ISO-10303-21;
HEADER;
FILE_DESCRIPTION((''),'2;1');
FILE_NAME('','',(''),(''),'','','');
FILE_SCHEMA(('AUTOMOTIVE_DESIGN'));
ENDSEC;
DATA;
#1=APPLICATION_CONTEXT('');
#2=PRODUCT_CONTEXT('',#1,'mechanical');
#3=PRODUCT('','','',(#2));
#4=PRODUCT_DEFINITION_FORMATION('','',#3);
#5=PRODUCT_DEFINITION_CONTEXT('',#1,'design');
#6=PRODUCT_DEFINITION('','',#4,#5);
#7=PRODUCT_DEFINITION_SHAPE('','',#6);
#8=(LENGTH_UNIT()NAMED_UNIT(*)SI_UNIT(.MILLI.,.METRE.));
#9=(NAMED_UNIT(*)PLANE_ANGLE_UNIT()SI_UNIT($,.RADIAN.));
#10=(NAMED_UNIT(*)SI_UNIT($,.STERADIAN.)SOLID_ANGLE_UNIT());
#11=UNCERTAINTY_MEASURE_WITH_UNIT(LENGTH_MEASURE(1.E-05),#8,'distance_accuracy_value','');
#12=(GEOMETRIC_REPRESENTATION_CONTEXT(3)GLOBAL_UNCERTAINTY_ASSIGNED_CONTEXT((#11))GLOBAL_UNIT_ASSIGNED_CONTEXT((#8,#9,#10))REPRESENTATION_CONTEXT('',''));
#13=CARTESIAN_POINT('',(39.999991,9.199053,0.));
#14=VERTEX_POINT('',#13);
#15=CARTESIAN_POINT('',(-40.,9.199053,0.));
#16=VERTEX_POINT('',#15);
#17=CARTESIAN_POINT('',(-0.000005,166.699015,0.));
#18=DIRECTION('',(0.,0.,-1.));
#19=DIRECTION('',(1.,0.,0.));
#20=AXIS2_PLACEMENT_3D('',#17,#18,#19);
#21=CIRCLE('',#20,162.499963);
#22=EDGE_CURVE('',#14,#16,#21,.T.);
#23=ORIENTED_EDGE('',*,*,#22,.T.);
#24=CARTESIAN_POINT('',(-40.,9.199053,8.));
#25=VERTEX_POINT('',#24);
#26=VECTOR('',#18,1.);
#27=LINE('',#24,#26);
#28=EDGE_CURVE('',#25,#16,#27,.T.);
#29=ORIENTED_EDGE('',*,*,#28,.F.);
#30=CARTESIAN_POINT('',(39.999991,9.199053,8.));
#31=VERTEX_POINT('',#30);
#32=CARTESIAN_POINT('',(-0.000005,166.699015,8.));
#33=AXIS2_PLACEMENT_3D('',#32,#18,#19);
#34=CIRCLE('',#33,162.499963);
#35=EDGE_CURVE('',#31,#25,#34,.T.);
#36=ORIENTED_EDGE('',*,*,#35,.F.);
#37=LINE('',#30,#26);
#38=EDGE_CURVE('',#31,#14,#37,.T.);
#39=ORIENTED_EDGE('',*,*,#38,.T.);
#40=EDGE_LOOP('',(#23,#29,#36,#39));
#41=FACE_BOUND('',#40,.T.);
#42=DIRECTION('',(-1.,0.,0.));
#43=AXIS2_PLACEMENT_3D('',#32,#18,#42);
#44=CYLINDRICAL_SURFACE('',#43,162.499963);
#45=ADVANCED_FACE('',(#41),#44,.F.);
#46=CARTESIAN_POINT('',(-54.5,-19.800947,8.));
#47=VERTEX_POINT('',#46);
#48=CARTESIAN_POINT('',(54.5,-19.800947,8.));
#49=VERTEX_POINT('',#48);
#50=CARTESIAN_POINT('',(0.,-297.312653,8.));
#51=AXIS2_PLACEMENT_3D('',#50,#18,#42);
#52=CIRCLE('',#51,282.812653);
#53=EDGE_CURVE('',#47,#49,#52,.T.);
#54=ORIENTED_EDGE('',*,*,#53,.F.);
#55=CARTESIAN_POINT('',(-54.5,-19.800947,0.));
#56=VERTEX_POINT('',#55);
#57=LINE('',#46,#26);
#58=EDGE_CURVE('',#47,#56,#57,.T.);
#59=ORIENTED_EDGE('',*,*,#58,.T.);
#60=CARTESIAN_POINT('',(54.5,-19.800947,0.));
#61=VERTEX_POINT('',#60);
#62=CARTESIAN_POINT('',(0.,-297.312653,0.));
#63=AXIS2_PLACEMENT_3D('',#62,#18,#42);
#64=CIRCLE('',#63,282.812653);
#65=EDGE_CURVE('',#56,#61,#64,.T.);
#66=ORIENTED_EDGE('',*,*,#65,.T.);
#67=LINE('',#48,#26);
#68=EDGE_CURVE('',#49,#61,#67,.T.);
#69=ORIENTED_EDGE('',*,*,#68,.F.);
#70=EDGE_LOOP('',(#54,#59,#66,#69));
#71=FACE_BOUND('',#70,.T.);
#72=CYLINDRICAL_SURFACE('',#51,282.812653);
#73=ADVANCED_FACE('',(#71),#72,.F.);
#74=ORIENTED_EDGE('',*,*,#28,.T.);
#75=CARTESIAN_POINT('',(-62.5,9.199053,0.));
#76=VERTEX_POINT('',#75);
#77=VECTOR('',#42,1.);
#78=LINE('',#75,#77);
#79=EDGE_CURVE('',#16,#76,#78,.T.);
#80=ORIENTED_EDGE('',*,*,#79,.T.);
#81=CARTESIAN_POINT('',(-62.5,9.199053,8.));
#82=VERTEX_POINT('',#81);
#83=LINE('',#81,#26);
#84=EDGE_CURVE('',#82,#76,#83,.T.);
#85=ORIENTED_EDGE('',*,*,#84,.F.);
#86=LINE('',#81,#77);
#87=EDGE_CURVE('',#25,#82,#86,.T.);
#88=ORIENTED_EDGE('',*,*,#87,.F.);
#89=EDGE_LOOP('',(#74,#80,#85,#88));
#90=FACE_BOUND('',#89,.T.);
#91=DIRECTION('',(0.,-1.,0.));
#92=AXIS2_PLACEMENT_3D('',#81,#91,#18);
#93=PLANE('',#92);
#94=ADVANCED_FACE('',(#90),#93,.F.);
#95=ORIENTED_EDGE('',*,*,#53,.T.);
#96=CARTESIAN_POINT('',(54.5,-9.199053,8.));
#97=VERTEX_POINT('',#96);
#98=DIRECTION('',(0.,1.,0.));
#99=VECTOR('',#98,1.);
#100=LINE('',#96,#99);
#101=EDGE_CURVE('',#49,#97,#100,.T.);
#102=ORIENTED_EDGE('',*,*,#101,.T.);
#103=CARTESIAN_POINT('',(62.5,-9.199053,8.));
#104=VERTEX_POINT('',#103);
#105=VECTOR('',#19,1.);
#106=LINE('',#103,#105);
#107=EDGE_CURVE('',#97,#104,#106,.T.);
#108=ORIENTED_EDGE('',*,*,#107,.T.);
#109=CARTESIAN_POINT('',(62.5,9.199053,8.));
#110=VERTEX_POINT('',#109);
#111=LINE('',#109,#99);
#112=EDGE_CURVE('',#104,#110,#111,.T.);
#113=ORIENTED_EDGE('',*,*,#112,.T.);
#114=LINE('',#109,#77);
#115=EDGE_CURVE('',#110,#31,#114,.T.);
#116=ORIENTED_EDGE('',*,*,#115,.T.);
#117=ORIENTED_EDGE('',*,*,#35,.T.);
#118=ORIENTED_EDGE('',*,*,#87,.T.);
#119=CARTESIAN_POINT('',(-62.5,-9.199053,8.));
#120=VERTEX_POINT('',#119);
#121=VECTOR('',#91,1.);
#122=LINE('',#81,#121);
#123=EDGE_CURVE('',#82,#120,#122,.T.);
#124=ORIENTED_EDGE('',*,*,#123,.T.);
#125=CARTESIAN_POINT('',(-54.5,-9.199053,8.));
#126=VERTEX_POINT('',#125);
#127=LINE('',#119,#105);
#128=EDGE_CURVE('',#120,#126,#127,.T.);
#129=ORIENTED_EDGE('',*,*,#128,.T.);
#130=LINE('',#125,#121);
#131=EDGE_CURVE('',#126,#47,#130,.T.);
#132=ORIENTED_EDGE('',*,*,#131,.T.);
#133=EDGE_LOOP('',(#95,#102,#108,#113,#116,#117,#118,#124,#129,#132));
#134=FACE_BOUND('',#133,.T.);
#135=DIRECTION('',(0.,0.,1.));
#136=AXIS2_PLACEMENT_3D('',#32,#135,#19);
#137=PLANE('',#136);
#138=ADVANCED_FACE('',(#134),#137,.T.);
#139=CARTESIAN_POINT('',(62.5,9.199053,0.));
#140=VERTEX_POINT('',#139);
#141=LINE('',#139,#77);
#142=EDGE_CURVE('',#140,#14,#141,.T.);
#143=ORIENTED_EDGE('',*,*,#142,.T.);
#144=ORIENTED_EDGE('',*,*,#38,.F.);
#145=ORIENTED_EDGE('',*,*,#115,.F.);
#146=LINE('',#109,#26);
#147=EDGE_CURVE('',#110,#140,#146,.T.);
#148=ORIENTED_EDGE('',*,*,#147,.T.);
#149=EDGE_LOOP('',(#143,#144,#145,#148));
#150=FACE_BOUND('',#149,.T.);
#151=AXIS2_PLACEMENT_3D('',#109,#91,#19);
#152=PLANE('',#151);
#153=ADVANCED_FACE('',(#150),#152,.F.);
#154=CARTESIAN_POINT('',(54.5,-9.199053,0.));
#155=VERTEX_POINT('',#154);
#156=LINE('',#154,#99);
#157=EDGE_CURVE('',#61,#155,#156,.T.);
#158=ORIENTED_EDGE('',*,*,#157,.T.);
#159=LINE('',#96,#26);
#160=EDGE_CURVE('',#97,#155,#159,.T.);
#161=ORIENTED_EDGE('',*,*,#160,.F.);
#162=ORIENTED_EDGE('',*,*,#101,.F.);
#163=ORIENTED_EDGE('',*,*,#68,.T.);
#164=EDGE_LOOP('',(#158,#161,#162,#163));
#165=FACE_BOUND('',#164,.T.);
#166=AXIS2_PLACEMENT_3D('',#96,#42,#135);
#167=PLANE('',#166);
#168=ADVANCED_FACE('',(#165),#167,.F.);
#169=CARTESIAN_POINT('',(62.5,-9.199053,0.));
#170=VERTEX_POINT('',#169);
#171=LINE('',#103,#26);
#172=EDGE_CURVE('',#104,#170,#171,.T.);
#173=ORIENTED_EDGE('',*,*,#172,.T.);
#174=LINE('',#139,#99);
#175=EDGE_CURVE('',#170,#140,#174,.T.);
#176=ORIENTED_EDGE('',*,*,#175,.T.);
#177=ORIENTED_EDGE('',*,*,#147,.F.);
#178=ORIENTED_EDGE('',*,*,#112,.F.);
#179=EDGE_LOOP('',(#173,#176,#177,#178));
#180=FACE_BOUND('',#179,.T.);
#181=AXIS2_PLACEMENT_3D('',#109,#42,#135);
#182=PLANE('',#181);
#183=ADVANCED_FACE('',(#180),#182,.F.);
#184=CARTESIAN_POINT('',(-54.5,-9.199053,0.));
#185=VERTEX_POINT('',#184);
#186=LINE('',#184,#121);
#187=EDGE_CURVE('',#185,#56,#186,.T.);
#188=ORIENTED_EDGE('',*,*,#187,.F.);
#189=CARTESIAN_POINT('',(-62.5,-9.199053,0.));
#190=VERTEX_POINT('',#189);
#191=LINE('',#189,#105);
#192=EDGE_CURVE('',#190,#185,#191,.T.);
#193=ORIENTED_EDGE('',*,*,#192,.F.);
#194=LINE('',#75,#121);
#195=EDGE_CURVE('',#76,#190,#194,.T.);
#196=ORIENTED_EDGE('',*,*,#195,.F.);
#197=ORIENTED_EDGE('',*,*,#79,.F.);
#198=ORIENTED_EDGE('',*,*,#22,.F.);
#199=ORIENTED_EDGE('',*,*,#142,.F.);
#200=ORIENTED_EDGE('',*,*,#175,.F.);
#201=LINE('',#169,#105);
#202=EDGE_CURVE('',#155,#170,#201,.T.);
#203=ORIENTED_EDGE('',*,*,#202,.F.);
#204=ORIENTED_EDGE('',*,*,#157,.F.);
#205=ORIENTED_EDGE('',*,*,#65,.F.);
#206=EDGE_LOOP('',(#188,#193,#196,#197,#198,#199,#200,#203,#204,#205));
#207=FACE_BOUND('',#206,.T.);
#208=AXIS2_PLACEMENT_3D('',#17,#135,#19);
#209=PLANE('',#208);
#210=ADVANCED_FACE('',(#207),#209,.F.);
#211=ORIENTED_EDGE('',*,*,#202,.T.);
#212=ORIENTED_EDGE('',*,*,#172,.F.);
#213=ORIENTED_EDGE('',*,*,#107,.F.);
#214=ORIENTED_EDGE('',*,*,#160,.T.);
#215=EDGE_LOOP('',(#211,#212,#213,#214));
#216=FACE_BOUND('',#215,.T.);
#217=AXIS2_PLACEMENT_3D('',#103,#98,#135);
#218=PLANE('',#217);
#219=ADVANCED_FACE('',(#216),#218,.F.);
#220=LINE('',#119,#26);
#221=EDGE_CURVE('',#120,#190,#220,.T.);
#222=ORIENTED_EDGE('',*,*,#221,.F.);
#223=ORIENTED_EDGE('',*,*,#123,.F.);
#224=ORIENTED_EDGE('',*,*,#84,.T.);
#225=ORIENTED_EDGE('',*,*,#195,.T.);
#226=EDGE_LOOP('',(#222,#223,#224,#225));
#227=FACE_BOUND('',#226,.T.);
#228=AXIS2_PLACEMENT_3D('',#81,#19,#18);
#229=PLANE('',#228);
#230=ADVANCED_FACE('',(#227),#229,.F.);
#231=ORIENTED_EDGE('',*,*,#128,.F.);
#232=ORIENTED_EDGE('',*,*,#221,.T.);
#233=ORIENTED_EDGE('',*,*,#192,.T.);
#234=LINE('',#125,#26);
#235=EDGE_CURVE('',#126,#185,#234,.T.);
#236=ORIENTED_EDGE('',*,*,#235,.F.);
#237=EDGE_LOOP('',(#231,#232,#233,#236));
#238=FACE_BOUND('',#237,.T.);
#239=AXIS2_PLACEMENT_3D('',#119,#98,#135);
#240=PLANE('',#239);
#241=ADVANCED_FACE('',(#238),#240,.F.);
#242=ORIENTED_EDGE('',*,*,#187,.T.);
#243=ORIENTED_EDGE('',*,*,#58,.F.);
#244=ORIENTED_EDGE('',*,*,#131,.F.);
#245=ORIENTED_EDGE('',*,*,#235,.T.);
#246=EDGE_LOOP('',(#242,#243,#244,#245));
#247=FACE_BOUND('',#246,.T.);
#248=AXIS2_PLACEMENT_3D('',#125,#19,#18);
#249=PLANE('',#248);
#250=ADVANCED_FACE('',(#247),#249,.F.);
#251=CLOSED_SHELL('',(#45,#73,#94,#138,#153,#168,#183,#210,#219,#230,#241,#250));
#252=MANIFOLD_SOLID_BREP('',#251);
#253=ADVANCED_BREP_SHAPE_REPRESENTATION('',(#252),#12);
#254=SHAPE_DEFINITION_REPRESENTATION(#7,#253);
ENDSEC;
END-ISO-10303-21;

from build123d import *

# Parameters (mm, degrees)
BOSS_EXTRU_1_DEPTH = 8


with BuildPart() as part:
    # Esquisse1 → Boss.-Extru.1 (new body)
    with BuildSketch(Plane.XY):
        with BuildLine():
            Line((-62.5, 9.199052512), (-62.5, -9.199052512))
            Line((-62.5, -9.199052512), (-54.5, -9.199052512))
            Line((-54.5, -9.199052512), (-54.5, -19.800947488))
            ThreePointArc((-54.5, -19.800947488), (0, -14.5), (54.5, -19.800947488))
            Line((54.5, -19.800947488), (54.5, -9.199052512))
            Line((54.5, -9.199052512), (62.5, -9.199052512))
            Line((62.5, -9.199052512), (62.5, 9.199052512))
            Line((62.5, 9.199052512), (39.999990632, 9.199052512))
            ThreePointArc((39.999990632, 9.199052512), (-4.684e-06, 4.199052512), (-40, 9.199052512))
            Line((-40, 9.199052512), (-62.5, 9.199052512))
        make_face()
    extrude(amount=BOSS_EXTRU_1_DEPTH)


solid = part.part
